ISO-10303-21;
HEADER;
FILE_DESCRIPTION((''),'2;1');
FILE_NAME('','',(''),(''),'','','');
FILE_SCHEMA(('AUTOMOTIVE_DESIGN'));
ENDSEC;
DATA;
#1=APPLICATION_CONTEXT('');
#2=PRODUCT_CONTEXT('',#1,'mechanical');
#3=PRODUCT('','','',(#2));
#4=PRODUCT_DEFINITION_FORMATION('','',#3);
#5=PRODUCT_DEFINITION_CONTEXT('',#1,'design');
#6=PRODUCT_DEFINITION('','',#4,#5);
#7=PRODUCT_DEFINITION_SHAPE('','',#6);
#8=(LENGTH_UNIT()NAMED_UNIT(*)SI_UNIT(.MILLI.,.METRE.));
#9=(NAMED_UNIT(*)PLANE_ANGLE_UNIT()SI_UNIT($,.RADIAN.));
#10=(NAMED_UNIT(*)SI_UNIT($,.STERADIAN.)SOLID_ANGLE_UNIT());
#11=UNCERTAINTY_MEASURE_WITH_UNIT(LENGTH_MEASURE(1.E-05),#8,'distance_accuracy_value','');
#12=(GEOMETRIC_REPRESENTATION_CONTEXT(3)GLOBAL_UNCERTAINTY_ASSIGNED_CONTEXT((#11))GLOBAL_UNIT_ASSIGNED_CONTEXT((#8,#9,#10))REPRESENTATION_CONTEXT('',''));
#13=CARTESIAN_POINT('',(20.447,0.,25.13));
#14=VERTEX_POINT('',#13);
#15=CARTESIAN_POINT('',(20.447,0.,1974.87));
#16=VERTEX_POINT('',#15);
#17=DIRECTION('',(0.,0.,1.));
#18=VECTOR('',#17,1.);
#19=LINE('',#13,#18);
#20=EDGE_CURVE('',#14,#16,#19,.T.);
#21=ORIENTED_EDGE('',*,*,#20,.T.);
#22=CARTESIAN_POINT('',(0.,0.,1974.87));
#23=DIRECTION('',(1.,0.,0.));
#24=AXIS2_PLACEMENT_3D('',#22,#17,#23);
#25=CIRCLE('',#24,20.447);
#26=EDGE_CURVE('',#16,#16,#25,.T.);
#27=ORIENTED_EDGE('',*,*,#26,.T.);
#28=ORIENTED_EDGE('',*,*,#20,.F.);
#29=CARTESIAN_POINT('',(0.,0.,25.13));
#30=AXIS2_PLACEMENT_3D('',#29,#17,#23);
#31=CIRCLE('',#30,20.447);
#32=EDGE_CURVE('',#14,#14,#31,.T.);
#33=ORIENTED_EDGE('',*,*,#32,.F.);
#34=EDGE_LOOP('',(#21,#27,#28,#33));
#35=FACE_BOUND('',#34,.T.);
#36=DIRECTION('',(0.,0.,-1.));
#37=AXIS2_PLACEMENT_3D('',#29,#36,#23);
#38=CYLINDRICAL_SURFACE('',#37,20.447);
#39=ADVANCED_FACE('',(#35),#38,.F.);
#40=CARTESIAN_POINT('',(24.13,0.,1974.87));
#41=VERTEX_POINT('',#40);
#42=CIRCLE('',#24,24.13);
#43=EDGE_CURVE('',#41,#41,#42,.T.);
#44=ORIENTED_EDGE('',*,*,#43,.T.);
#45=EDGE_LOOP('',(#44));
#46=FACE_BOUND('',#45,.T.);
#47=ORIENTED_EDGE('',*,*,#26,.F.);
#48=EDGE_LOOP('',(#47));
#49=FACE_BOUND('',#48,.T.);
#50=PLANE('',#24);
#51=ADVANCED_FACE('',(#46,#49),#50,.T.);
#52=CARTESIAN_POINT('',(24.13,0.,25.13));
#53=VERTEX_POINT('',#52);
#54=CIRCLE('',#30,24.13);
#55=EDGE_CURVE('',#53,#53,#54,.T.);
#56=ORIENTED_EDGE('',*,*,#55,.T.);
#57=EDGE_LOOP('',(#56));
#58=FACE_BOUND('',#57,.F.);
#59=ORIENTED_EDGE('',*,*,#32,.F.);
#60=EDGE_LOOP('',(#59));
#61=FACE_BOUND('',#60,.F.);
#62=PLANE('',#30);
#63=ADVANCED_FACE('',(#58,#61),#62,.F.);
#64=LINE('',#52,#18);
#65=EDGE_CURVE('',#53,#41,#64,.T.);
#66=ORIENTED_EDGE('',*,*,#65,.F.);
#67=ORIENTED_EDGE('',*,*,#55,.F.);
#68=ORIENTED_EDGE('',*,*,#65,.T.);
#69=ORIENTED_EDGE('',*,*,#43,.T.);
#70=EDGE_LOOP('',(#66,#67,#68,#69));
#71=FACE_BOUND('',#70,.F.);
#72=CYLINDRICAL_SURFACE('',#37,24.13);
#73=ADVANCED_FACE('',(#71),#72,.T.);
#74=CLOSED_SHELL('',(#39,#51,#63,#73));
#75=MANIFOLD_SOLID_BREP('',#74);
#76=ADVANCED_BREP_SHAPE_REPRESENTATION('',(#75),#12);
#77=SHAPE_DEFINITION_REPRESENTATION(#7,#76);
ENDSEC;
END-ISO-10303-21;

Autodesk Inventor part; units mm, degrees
ref_plane "Start Plane" through (0, 0, 25.13) normal (0, 0, 1) x (1, 0, 0)
ref_plane "End Plane" through (0, 0, 1974.87) normal (0, 0, 1) x (1, 0, 0)
sketch "Sketch" plane through (0, 0, 0) normal (0, 0, 1) x (1, 0, 0)
  circle A0 centre (0, 0) radius 20.447
  circle A1 centre (0, 0) radius 24.13
  dimension "d0" = 48.26
  dimension "d1" = 3.683
extrude "Body" add sketch "Sketch" along normal up to surface (1949.74 mm away) from surface at 25.13
sketch "Sketch3" plane through (0, 0, 0) normal (0, 0, 1) x (1, 0, 0)
  line L0 (0, 0) -> (10, 0)
ref_plane "Work Plane3" through (0, 0, 0) normal (0, -1, 0) x (1, 0, 0)
ref_plane "Work Plane4" through (0, 200, 25.13) normal (0, 0, -1) x (-1, 0, 0)
split "Split1" plane through (0, 200, 25.13) removes the side toward (0, 0, -1)
ref_plane "Work Plane5" through (0, 200, 1974.87) normal (0, 0, 1) x (1, 0, 0)
split "Split2" plane through (0, 200, 1974.87) removes the side toward (0, 0, 1)
sketch "Sketch4" plane through (0, 0, 0) normal (0, -1, 0) x (1, 0, 0)
  line L0 (-2, 25.13) -> (12, 25.13) projected
  line L1 (-2, 1974.87) -> (12, 1974.87) projected
  dimension "d7" = 1949.74
equation "\"d0\" = G_H"
equation "\"d1\" = G_T"
equation "\"d2\" = G_L"
equation "\"G_H\" = 48.26"
equation "\"G_T\" = 3.683"
equation "\"G_L\" = d7"
equation "\"G_OFFSET_START\" = -25.13"
equation "\"G_OFFSET_END\" = -25.13"
equation "\"d4\" = -G_OFFSET_START"
equation "\"d5\" = G_OFFSET_END + B_L"
equation "\"B_L\" = 2000"
properties part number "ANSI - 1 1/2 x 0.145 - 76.761" material "Steel, Mild"
